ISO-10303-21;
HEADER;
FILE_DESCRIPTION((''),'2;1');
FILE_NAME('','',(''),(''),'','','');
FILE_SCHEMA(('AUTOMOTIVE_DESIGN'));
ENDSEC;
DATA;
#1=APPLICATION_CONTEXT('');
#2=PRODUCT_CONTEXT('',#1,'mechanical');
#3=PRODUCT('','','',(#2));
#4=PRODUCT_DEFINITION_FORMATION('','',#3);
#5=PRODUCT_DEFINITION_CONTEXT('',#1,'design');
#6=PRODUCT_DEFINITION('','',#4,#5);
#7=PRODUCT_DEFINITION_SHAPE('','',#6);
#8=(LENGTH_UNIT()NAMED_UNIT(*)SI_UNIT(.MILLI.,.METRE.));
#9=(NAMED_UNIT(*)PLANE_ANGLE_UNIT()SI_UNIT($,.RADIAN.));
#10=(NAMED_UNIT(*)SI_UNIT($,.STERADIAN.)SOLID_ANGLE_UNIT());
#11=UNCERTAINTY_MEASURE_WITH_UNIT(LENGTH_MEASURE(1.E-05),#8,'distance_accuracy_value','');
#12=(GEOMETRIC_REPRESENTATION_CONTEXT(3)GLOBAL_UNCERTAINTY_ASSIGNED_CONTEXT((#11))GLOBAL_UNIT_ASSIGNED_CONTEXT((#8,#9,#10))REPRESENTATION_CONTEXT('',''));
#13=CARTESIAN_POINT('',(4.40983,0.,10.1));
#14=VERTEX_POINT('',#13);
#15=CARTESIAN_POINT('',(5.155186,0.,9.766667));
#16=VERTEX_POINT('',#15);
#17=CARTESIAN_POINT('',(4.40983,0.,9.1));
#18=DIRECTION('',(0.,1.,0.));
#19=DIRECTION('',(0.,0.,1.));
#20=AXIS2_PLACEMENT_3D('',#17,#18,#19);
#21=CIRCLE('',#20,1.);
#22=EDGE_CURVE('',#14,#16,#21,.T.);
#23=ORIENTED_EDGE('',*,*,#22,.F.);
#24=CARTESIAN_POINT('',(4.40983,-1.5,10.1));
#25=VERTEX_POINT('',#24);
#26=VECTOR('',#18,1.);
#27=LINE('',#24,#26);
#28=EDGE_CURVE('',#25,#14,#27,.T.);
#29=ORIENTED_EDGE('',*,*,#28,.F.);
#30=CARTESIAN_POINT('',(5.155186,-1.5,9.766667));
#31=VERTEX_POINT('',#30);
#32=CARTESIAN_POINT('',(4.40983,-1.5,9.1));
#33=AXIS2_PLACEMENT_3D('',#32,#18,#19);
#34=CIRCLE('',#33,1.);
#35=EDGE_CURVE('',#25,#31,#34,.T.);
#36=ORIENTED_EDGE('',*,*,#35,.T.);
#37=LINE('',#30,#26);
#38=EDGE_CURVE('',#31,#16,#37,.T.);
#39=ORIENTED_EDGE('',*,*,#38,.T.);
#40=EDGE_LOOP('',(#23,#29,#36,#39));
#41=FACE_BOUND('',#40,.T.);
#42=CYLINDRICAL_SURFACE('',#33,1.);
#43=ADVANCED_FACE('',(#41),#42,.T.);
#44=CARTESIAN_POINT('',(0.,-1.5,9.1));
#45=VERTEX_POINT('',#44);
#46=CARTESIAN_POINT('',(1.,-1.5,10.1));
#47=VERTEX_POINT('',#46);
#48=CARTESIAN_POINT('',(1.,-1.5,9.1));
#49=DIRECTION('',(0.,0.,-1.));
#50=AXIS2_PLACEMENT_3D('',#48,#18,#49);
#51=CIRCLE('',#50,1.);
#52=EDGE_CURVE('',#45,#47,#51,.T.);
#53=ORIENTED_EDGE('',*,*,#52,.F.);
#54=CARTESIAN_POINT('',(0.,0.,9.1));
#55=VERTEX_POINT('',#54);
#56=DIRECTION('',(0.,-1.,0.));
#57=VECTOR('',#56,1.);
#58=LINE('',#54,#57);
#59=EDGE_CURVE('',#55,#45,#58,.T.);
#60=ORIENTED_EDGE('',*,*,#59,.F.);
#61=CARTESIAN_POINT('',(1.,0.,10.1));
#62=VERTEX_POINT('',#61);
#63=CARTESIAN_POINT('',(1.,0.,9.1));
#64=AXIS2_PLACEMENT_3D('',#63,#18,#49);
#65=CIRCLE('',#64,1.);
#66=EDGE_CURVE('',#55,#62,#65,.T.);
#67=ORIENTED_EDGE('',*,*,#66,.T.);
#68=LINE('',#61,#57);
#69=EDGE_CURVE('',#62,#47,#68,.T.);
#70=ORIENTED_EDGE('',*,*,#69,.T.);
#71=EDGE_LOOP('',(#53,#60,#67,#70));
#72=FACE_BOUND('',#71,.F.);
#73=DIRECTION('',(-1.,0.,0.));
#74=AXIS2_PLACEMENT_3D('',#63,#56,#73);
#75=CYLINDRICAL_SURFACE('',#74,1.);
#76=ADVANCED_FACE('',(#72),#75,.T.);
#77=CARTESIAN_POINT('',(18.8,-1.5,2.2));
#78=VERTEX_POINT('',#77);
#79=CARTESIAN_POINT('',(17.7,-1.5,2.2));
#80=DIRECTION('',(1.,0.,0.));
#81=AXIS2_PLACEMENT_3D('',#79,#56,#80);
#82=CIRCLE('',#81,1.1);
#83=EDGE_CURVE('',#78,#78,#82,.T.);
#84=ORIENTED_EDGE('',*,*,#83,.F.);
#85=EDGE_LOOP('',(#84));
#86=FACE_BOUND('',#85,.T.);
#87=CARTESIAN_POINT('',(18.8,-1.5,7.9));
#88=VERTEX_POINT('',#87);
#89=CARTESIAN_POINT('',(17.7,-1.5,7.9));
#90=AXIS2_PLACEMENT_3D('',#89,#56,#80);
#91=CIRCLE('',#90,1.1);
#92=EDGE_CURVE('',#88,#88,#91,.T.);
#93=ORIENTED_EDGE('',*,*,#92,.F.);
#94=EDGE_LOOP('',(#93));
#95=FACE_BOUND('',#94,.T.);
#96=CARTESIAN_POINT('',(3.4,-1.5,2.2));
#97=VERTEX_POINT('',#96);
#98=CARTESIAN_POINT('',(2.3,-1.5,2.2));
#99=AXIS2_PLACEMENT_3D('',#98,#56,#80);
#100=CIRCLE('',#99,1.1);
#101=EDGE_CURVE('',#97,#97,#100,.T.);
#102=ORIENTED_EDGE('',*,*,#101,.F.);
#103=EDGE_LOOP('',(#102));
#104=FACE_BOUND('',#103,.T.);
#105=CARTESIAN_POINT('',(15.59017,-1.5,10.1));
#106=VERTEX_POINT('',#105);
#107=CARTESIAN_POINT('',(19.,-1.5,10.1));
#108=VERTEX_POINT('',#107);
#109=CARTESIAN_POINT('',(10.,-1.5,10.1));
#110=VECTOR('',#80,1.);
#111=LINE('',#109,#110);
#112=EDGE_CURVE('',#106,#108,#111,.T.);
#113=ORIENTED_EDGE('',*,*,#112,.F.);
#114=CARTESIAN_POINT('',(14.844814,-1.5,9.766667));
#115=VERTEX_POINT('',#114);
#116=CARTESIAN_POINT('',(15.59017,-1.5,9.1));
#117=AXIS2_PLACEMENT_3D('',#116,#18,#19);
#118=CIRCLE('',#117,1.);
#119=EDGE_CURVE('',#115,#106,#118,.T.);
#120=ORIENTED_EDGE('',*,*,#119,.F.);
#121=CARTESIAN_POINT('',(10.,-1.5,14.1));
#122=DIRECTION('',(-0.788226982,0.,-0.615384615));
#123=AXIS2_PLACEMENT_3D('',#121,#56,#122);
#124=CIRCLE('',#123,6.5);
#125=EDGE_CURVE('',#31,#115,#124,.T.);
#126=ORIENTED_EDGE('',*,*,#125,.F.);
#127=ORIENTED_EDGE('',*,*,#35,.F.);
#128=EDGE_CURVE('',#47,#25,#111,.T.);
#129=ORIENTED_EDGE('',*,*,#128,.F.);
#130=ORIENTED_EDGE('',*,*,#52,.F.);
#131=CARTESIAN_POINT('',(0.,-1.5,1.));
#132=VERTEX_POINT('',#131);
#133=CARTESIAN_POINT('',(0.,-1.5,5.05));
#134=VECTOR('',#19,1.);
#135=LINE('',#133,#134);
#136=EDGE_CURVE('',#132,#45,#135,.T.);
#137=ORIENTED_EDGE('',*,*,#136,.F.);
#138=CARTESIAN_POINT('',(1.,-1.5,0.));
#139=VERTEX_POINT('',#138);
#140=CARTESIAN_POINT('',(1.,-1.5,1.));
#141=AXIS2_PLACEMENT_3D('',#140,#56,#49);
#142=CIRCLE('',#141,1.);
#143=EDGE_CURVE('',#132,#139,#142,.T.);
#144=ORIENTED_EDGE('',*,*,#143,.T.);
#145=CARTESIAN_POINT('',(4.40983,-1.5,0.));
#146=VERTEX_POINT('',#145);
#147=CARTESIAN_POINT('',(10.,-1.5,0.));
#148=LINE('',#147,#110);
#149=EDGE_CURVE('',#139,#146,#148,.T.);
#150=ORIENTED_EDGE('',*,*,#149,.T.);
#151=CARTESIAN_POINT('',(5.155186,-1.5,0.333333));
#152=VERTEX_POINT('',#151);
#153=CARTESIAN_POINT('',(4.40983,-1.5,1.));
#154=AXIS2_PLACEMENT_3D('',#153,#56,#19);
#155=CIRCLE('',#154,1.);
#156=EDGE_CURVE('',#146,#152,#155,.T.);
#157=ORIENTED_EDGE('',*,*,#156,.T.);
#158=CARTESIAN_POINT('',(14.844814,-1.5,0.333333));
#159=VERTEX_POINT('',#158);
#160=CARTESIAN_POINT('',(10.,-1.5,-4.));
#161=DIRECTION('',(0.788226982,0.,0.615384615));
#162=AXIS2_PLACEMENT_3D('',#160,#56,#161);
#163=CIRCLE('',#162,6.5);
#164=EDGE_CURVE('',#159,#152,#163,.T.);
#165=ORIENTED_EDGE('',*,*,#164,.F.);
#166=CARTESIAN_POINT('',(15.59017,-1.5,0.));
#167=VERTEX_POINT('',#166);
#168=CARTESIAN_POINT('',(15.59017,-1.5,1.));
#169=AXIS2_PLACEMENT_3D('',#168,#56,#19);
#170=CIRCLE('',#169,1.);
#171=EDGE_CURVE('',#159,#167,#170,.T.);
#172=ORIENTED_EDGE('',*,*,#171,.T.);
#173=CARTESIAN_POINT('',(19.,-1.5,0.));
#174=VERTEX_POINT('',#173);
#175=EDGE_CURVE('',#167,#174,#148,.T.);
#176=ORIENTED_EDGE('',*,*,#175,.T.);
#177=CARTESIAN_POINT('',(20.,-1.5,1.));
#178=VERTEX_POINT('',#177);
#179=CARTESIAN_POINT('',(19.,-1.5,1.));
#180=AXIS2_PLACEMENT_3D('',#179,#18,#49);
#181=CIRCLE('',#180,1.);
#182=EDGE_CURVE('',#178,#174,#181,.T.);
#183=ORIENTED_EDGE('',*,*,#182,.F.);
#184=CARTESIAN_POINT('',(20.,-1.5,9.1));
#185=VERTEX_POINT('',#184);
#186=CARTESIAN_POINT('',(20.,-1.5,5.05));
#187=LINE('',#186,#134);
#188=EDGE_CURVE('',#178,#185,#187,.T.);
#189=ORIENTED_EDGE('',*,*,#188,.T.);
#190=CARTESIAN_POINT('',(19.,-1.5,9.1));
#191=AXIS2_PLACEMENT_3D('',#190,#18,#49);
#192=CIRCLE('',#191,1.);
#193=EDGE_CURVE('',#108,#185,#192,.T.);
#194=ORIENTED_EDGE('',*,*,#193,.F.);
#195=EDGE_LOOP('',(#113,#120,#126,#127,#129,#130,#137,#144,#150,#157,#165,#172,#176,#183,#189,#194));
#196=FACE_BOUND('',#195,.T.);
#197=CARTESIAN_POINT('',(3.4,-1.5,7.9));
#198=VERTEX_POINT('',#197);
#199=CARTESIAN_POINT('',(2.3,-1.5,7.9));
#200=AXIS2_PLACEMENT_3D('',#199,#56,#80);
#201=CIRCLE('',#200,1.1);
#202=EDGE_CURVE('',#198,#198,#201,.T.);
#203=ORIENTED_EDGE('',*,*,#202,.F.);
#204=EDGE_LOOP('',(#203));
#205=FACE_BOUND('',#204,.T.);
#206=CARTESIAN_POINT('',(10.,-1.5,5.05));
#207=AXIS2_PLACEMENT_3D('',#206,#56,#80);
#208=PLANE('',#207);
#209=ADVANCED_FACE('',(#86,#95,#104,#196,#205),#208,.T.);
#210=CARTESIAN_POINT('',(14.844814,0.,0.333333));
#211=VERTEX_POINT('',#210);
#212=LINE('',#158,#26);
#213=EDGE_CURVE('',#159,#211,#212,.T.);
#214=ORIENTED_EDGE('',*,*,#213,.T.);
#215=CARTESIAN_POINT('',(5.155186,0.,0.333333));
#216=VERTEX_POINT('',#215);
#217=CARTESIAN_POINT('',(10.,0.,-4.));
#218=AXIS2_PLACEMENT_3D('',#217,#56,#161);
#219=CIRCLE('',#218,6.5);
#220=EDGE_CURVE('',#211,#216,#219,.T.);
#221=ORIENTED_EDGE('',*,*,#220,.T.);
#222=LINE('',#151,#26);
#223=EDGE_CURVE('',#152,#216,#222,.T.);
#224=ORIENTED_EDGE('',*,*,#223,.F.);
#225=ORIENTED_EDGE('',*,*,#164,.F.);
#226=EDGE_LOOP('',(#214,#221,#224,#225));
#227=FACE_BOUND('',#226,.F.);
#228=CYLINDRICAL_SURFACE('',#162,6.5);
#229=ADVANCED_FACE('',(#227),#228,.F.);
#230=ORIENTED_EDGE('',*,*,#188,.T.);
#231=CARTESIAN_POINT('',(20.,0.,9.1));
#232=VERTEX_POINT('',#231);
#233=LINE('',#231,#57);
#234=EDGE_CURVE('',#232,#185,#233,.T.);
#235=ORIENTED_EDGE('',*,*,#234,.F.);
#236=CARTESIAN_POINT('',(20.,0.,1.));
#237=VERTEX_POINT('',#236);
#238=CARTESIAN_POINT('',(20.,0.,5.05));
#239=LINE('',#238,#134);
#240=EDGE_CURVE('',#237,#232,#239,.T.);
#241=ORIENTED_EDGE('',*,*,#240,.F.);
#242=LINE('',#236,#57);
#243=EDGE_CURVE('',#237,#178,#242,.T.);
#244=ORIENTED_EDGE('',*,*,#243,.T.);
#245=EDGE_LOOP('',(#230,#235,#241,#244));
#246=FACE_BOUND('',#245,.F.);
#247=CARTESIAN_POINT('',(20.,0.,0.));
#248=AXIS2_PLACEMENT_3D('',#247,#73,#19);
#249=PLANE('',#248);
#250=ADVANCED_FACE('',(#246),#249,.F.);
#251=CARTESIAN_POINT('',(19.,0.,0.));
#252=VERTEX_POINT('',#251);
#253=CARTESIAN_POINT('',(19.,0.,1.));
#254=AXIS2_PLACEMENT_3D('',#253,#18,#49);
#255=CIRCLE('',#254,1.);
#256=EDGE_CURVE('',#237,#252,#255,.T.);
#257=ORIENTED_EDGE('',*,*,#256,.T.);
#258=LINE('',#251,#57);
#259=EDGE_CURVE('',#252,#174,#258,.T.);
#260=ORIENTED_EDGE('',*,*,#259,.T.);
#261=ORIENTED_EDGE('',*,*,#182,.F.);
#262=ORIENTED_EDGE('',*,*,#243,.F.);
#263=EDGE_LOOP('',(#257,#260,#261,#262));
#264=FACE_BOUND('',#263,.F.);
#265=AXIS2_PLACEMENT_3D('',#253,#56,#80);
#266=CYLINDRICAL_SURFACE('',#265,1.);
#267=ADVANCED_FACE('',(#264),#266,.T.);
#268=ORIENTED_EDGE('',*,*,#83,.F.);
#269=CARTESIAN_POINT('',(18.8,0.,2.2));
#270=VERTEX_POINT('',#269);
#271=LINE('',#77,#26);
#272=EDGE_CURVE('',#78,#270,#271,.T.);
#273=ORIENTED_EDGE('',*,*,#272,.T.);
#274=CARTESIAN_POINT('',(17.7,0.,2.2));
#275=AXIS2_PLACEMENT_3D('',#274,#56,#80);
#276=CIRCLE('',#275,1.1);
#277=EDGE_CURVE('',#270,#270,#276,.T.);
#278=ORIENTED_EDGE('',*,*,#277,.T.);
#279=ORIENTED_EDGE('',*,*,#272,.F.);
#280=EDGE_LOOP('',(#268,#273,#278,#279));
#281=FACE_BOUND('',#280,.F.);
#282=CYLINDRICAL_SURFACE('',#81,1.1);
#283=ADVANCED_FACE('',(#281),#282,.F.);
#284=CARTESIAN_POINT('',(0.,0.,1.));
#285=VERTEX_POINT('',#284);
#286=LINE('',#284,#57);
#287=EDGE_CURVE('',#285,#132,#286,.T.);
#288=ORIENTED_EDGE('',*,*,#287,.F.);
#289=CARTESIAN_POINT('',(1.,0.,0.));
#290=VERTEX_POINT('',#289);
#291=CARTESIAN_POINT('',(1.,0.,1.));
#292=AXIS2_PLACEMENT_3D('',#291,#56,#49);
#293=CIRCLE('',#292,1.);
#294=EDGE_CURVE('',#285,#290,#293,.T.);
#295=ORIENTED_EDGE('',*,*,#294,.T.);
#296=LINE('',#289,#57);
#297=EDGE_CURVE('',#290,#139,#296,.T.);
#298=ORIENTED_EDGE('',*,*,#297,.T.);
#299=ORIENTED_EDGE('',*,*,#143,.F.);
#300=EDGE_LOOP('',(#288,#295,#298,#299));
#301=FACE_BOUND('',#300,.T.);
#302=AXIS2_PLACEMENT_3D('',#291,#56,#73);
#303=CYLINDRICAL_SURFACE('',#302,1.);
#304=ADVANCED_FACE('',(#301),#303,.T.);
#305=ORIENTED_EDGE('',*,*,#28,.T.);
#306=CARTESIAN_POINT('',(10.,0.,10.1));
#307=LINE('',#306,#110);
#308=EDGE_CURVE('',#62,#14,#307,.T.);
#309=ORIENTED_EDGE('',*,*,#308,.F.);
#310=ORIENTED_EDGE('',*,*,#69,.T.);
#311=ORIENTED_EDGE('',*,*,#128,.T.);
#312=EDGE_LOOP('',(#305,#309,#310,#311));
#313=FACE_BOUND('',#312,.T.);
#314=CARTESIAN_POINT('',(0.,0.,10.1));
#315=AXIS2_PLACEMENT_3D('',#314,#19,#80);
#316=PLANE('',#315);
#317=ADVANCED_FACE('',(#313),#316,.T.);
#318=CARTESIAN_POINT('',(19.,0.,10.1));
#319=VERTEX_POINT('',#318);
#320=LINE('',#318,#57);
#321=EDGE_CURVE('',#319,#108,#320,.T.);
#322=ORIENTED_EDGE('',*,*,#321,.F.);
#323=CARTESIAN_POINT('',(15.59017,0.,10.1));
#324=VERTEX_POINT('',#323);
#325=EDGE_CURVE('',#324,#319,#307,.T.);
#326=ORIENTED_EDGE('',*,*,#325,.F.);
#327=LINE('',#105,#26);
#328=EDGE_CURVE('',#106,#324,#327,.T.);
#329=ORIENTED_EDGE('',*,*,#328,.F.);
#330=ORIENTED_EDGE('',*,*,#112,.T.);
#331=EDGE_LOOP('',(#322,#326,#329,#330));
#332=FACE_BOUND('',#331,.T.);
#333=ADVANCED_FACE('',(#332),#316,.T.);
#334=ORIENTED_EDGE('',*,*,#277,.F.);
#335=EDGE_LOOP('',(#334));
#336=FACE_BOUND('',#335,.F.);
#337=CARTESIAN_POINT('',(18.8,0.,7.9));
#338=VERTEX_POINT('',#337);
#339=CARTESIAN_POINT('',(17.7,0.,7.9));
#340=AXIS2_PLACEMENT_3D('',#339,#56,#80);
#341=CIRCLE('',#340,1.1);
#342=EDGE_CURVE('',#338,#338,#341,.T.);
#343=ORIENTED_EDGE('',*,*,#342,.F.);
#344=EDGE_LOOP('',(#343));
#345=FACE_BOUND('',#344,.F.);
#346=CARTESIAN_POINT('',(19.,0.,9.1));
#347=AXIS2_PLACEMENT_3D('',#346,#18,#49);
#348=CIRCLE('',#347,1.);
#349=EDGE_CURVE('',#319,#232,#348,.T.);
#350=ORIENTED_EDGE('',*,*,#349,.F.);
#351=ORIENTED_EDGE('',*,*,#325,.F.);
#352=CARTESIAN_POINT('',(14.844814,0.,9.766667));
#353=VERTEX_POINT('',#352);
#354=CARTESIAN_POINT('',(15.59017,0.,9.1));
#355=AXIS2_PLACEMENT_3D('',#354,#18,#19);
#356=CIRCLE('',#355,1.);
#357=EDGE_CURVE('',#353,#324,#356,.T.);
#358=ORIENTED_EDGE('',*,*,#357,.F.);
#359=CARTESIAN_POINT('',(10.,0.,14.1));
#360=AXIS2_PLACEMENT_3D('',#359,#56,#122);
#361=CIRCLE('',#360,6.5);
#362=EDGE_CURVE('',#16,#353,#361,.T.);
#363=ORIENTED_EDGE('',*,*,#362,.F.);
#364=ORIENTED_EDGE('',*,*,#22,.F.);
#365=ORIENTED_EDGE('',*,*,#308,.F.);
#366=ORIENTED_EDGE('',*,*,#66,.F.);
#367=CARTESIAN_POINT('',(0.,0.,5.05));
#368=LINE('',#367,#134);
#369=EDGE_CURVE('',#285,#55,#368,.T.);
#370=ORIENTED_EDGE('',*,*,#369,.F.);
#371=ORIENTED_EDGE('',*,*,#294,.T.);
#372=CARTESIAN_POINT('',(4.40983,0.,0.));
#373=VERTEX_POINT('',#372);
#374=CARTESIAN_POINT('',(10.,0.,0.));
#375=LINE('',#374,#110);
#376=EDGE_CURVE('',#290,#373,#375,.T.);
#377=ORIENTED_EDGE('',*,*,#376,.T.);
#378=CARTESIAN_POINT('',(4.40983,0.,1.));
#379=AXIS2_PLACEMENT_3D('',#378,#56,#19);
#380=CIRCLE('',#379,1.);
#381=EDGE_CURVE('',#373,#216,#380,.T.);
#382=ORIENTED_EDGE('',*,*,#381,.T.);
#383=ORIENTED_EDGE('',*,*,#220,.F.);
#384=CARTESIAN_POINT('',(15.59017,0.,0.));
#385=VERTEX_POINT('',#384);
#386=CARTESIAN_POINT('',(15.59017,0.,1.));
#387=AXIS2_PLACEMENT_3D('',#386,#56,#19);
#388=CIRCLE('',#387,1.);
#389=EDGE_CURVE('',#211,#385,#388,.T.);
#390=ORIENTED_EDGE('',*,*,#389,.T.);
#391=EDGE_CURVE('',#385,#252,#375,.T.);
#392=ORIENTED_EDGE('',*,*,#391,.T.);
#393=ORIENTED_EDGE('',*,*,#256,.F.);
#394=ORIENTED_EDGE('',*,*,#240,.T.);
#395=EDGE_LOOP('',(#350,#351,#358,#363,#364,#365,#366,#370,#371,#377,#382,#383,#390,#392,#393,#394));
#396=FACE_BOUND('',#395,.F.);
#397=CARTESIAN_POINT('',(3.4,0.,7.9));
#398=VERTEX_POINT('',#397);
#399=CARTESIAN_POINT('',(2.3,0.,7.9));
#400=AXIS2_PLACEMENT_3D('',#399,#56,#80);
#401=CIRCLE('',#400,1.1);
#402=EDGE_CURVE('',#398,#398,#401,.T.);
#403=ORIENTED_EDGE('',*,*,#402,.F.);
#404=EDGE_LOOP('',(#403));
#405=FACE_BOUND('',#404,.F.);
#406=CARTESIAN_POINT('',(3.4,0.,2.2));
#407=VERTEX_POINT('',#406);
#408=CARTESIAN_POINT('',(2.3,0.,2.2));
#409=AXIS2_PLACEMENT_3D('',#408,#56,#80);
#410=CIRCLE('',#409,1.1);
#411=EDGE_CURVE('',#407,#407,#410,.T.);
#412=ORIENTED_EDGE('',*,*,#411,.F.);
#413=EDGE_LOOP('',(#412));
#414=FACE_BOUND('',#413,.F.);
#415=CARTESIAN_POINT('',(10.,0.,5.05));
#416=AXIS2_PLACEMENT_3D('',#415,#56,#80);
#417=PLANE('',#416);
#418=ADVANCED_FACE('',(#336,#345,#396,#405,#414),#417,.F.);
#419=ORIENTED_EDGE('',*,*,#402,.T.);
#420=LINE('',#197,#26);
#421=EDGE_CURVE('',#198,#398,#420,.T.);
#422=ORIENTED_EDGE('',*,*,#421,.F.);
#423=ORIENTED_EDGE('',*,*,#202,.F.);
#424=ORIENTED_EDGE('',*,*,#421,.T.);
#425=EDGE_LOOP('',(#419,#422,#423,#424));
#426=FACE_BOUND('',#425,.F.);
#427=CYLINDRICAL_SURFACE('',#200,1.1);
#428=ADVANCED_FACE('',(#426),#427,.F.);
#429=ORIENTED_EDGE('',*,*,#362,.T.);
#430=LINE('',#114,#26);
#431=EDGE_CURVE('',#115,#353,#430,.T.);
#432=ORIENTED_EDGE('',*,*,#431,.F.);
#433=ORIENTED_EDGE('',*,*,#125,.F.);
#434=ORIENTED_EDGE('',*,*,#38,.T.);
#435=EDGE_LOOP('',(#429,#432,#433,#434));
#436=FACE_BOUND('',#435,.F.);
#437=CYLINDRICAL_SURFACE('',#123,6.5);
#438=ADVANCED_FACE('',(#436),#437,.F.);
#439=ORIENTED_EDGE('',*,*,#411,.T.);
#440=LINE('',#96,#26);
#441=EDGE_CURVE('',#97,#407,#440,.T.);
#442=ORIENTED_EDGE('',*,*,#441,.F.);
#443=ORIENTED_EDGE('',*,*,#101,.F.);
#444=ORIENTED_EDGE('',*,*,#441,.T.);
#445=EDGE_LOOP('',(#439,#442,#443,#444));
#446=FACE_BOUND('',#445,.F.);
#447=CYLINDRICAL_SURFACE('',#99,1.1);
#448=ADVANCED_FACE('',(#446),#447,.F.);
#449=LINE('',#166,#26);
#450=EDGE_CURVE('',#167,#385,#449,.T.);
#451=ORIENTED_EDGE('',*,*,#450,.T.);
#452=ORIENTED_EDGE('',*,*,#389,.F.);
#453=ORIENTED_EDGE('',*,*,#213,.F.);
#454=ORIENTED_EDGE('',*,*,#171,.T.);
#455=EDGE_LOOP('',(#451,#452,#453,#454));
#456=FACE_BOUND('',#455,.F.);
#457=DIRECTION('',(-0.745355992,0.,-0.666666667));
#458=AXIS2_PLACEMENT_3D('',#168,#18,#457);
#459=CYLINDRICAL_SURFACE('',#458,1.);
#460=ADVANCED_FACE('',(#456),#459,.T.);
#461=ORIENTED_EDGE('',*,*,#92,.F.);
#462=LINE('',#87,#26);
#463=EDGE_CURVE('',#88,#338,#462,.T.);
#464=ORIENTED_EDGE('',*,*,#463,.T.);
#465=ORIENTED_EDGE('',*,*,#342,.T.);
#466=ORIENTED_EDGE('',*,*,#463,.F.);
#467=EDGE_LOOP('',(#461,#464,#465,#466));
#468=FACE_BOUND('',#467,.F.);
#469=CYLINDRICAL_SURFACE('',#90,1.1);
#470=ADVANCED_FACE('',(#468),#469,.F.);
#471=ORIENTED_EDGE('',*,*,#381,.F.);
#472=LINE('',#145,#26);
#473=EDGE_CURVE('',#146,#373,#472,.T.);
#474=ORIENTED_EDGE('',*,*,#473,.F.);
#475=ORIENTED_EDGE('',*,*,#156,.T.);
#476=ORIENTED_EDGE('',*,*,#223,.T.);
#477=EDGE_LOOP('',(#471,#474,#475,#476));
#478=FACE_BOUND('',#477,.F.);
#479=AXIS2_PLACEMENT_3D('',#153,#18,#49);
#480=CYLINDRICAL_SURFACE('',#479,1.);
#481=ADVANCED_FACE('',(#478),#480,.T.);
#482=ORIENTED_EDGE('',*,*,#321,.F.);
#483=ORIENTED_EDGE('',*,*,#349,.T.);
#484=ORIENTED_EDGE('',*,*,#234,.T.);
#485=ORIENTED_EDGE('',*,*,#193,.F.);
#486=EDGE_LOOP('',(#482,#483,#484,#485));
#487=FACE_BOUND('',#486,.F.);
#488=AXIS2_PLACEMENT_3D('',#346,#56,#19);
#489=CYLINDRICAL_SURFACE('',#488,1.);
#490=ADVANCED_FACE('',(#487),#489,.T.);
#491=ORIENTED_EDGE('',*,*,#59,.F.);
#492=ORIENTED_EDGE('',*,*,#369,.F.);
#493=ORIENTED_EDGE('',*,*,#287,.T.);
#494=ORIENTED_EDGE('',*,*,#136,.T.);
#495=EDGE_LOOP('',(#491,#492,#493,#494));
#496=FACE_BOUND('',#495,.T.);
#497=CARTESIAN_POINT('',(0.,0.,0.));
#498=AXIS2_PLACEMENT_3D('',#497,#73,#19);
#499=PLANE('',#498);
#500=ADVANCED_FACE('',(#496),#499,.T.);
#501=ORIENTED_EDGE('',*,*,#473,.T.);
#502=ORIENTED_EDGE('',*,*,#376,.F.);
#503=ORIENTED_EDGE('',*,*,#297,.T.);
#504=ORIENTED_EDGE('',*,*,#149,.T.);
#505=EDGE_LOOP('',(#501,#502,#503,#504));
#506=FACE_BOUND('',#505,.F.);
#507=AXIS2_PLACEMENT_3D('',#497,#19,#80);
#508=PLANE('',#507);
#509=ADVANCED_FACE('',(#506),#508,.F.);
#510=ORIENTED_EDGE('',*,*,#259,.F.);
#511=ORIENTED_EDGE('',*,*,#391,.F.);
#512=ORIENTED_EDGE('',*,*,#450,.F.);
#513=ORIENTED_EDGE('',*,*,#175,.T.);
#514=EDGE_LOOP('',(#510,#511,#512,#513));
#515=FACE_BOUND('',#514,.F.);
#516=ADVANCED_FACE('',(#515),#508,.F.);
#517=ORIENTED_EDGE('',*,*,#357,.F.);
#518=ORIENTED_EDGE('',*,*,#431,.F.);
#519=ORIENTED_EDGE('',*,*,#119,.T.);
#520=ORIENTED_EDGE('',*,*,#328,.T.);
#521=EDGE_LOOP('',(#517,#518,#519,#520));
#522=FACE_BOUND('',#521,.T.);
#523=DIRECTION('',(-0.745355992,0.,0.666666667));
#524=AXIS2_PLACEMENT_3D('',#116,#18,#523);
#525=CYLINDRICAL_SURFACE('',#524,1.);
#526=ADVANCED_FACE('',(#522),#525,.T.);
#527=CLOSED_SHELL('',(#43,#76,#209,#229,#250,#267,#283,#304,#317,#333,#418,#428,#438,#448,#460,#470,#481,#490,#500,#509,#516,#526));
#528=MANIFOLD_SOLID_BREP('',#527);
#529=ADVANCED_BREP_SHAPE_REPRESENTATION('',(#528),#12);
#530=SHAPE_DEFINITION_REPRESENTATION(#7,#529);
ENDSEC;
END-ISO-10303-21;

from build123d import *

# Parameters (mm, degrees)
F0_W     = 20
F0_H     = 10.1
F1_DEPTH = 1.5
F2_R     = 1.1
F3_DEPTH = 1.5
F4_R     = 1


with BuildPart() as f1:
    # F0 (on Front) → F1 (new body)
    with BuildSketch(Plane.XZ):
        with Locations((10, 5.05)):
            Rectangle(F0_W, F0_H)
    extrude(amount=F1_DEPTH)

    # F2 (on face) → F3 (cut, through all)
    with BuildSketch(Plane.XZ.offset(1.5)):
        with Locations((2.3, 7.9)):
            Circle(F2_R)
        with Locations((17.7, 7.9)):
            Circle(F2_R)
        with Locations((2.3, 2.2)):
            Circle(F2_R)
        with Locations((17.7, 2.2)):
            Circle(F2_R)
        with BuildLine():
            Line((15.123475383, 10.1), (4.876524617, 10.1))
            ThreePointArc((4.876524617, 10.1), (10, 7.6), (15.123475383, 10.1))
        make_face()
        with BuildLine():
            ThreePointArc((15.123475383, 0), (10, 2.5), (4.876524617, 0))
            Line((4.876524617, 0), (15.123475383, 0))
        make_face()
    extrude(amount=-F3_DEPTH, mode=Mode.SUBTRACT)

    # F4
    f4_edges = [f1.edges().sort_by_distance(p)[0] for p in [
        (20, -0.75, 10.1),
        (20, -0.75, 0),
        (0, -0.75, 10.1),
        (0, -0.75, 0),
        (4.876525, -0.75, 10.1),
        (15.123475, -0.75, 10.1),
        (4.876525, -0.75, 0),
        (15.123475, -0.75, 0),
    ]]
    fillet(f4_edges, radius=F4_R)


solid = f1.part
